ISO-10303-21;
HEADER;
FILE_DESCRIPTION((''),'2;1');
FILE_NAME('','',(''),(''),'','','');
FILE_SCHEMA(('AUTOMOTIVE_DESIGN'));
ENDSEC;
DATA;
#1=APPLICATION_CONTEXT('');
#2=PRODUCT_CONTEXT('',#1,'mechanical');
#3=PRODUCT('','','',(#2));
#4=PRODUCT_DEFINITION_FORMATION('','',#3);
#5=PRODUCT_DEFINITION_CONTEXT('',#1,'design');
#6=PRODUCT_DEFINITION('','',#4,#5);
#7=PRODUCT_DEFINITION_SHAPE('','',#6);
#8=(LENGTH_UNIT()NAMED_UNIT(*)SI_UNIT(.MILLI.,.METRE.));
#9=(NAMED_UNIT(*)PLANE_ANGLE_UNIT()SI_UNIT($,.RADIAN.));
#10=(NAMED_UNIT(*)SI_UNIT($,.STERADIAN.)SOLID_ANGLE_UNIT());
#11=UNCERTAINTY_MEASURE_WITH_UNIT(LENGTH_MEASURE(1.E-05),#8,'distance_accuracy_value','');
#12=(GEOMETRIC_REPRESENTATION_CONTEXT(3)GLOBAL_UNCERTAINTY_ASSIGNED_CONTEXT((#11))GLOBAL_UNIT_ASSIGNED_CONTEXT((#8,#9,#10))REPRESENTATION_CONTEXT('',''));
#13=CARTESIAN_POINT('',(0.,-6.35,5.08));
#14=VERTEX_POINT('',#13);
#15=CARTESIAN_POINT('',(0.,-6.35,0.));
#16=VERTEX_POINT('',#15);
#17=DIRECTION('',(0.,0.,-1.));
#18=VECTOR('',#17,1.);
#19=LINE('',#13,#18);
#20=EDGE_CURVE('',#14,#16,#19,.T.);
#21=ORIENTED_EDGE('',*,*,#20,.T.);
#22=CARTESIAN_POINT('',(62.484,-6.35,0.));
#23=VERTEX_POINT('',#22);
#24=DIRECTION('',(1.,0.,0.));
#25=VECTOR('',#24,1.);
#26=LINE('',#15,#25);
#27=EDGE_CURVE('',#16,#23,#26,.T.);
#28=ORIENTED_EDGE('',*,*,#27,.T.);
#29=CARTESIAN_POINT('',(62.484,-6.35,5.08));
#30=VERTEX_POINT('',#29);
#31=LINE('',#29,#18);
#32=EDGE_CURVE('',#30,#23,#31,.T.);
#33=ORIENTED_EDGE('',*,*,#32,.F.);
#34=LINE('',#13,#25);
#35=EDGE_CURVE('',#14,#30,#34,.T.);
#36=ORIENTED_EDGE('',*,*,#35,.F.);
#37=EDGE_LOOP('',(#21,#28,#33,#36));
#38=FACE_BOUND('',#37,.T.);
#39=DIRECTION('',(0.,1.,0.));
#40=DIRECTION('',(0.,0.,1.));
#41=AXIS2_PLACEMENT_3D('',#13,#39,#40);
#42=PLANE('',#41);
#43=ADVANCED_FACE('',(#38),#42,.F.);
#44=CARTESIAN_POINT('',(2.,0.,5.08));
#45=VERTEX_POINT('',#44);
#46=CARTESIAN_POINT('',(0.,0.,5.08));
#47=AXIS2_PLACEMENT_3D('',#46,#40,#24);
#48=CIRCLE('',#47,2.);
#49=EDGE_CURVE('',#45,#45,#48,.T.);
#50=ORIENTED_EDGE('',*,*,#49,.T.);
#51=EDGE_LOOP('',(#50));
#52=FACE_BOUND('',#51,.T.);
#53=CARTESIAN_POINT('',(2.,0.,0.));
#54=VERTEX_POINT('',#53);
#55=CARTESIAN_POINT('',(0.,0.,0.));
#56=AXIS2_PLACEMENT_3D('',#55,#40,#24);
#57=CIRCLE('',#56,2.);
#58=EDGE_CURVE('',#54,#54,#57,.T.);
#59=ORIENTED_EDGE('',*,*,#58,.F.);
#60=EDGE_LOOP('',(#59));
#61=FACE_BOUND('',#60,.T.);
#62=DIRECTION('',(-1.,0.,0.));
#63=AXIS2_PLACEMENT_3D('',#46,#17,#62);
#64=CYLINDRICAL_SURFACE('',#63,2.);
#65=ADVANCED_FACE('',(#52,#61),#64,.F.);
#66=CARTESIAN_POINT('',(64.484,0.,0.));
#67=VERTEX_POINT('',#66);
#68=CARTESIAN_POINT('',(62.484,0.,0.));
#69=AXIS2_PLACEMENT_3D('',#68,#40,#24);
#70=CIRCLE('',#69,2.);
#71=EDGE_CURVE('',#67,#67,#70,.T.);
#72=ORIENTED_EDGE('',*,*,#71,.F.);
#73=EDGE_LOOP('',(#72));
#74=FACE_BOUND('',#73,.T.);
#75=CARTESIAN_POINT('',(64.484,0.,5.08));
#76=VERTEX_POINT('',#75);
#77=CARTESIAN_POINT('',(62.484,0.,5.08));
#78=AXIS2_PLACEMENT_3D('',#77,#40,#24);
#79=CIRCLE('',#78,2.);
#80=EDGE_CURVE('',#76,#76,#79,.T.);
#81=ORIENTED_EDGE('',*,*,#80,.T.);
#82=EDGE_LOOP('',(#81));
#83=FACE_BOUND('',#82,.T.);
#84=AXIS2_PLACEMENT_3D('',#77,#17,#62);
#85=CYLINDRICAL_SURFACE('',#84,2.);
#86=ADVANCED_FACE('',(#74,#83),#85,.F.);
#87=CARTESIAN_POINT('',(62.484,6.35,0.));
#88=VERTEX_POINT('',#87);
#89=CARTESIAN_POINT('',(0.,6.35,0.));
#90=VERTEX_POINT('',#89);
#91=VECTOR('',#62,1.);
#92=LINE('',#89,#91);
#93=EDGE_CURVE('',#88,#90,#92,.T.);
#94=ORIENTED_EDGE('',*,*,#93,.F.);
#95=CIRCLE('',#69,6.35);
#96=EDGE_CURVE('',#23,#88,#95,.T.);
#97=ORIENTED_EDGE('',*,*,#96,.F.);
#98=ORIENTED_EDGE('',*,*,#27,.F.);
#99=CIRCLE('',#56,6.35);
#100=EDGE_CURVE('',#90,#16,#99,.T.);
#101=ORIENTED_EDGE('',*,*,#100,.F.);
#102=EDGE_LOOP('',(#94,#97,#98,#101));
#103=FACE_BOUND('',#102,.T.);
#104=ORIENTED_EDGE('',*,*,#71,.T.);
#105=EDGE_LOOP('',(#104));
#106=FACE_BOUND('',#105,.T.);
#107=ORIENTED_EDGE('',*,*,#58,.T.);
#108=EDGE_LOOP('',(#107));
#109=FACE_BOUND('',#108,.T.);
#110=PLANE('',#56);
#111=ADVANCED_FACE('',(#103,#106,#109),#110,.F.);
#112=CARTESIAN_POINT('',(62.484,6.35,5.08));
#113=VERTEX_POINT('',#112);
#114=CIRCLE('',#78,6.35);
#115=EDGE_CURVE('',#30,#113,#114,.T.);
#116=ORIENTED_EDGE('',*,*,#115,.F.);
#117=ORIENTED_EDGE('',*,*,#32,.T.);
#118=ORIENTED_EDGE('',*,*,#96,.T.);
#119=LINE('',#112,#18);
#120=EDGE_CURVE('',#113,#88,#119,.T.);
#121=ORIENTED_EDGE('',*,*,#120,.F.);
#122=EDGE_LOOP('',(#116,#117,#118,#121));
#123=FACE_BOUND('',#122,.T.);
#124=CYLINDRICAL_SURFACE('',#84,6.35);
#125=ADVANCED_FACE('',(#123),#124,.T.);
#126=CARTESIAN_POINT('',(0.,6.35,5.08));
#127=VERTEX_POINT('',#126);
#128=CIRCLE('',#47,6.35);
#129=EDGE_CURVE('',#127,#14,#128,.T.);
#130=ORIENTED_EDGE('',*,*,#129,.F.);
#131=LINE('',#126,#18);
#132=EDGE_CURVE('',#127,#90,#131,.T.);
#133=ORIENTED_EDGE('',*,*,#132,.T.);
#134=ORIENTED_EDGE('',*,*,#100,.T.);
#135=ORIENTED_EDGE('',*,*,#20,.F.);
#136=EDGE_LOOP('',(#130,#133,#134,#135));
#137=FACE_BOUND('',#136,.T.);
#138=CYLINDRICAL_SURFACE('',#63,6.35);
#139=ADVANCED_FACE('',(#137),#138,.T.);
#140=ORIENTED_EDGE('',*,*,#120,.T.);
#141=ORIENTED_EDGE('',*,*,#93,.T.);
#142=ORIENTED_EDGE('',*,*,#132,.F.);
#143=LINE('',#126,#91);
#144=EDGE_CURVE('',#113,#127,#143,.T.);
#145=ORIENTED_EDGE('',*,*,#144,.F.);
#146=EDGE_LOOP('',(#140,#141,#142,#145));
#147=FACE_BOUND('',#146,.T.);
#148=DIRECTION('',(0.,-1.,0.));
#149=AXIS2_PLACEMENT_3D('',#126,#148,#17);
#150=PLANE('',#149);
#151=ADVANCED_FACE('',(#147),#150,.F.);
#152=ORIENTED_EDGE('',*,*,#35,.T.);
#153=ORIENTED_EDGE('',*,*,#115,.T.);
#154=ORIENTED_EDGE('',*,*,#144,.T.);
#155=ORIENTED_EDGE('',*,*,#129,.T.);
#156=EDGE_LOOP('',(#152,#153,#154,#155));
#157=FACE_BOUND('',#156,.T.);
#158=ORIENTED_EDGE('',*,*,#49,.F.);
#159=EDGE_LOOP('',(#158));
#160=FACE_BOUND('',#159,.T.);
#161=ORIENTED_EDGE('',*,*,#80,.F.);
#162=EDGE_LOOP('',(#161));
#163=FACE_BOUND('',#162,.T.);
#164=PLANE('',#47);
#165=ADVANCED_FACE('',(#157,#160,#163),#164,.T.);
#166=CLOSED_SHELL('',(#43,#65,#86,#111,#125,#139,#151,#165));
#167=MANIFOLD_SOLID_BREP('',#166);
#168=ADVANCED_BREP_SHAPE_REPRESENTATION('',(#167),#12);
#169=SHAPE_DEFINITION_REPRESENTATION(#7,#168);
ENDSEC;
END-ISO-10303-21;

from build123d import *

# Parameters (mm, degrees)
SKETCH1_R           = 2
BOSS_EXTRUDE1_DEPTH = 5.08


with BuildPart() as part:
    # Sketch1 → Boss-Extrude1 (new body)
    with BuildSketch(Plane.XY):
        with BuildLine():
            Line((0, 6.35), (62.484, 6.35))
            ThreePointArc((62.484, 6.35), (68.834, 0), (62.484, -6.35))
            Line((62.484, -6.35), (0, -6.35))
            ThreePointArc((0, -6.35), (-6.35, 0), (0, 6.35))
        make_face()
        Circle(SKETCH1_R, mode=Mode.SUBTRACT)
        with Locations((62.484, 0)):
            Circle(SKETCH1_R, mode=Mode.SUBTRACT)
    extrude(amount=BOSS_EXTRUDE1_DEPTH)


solid = part.part
